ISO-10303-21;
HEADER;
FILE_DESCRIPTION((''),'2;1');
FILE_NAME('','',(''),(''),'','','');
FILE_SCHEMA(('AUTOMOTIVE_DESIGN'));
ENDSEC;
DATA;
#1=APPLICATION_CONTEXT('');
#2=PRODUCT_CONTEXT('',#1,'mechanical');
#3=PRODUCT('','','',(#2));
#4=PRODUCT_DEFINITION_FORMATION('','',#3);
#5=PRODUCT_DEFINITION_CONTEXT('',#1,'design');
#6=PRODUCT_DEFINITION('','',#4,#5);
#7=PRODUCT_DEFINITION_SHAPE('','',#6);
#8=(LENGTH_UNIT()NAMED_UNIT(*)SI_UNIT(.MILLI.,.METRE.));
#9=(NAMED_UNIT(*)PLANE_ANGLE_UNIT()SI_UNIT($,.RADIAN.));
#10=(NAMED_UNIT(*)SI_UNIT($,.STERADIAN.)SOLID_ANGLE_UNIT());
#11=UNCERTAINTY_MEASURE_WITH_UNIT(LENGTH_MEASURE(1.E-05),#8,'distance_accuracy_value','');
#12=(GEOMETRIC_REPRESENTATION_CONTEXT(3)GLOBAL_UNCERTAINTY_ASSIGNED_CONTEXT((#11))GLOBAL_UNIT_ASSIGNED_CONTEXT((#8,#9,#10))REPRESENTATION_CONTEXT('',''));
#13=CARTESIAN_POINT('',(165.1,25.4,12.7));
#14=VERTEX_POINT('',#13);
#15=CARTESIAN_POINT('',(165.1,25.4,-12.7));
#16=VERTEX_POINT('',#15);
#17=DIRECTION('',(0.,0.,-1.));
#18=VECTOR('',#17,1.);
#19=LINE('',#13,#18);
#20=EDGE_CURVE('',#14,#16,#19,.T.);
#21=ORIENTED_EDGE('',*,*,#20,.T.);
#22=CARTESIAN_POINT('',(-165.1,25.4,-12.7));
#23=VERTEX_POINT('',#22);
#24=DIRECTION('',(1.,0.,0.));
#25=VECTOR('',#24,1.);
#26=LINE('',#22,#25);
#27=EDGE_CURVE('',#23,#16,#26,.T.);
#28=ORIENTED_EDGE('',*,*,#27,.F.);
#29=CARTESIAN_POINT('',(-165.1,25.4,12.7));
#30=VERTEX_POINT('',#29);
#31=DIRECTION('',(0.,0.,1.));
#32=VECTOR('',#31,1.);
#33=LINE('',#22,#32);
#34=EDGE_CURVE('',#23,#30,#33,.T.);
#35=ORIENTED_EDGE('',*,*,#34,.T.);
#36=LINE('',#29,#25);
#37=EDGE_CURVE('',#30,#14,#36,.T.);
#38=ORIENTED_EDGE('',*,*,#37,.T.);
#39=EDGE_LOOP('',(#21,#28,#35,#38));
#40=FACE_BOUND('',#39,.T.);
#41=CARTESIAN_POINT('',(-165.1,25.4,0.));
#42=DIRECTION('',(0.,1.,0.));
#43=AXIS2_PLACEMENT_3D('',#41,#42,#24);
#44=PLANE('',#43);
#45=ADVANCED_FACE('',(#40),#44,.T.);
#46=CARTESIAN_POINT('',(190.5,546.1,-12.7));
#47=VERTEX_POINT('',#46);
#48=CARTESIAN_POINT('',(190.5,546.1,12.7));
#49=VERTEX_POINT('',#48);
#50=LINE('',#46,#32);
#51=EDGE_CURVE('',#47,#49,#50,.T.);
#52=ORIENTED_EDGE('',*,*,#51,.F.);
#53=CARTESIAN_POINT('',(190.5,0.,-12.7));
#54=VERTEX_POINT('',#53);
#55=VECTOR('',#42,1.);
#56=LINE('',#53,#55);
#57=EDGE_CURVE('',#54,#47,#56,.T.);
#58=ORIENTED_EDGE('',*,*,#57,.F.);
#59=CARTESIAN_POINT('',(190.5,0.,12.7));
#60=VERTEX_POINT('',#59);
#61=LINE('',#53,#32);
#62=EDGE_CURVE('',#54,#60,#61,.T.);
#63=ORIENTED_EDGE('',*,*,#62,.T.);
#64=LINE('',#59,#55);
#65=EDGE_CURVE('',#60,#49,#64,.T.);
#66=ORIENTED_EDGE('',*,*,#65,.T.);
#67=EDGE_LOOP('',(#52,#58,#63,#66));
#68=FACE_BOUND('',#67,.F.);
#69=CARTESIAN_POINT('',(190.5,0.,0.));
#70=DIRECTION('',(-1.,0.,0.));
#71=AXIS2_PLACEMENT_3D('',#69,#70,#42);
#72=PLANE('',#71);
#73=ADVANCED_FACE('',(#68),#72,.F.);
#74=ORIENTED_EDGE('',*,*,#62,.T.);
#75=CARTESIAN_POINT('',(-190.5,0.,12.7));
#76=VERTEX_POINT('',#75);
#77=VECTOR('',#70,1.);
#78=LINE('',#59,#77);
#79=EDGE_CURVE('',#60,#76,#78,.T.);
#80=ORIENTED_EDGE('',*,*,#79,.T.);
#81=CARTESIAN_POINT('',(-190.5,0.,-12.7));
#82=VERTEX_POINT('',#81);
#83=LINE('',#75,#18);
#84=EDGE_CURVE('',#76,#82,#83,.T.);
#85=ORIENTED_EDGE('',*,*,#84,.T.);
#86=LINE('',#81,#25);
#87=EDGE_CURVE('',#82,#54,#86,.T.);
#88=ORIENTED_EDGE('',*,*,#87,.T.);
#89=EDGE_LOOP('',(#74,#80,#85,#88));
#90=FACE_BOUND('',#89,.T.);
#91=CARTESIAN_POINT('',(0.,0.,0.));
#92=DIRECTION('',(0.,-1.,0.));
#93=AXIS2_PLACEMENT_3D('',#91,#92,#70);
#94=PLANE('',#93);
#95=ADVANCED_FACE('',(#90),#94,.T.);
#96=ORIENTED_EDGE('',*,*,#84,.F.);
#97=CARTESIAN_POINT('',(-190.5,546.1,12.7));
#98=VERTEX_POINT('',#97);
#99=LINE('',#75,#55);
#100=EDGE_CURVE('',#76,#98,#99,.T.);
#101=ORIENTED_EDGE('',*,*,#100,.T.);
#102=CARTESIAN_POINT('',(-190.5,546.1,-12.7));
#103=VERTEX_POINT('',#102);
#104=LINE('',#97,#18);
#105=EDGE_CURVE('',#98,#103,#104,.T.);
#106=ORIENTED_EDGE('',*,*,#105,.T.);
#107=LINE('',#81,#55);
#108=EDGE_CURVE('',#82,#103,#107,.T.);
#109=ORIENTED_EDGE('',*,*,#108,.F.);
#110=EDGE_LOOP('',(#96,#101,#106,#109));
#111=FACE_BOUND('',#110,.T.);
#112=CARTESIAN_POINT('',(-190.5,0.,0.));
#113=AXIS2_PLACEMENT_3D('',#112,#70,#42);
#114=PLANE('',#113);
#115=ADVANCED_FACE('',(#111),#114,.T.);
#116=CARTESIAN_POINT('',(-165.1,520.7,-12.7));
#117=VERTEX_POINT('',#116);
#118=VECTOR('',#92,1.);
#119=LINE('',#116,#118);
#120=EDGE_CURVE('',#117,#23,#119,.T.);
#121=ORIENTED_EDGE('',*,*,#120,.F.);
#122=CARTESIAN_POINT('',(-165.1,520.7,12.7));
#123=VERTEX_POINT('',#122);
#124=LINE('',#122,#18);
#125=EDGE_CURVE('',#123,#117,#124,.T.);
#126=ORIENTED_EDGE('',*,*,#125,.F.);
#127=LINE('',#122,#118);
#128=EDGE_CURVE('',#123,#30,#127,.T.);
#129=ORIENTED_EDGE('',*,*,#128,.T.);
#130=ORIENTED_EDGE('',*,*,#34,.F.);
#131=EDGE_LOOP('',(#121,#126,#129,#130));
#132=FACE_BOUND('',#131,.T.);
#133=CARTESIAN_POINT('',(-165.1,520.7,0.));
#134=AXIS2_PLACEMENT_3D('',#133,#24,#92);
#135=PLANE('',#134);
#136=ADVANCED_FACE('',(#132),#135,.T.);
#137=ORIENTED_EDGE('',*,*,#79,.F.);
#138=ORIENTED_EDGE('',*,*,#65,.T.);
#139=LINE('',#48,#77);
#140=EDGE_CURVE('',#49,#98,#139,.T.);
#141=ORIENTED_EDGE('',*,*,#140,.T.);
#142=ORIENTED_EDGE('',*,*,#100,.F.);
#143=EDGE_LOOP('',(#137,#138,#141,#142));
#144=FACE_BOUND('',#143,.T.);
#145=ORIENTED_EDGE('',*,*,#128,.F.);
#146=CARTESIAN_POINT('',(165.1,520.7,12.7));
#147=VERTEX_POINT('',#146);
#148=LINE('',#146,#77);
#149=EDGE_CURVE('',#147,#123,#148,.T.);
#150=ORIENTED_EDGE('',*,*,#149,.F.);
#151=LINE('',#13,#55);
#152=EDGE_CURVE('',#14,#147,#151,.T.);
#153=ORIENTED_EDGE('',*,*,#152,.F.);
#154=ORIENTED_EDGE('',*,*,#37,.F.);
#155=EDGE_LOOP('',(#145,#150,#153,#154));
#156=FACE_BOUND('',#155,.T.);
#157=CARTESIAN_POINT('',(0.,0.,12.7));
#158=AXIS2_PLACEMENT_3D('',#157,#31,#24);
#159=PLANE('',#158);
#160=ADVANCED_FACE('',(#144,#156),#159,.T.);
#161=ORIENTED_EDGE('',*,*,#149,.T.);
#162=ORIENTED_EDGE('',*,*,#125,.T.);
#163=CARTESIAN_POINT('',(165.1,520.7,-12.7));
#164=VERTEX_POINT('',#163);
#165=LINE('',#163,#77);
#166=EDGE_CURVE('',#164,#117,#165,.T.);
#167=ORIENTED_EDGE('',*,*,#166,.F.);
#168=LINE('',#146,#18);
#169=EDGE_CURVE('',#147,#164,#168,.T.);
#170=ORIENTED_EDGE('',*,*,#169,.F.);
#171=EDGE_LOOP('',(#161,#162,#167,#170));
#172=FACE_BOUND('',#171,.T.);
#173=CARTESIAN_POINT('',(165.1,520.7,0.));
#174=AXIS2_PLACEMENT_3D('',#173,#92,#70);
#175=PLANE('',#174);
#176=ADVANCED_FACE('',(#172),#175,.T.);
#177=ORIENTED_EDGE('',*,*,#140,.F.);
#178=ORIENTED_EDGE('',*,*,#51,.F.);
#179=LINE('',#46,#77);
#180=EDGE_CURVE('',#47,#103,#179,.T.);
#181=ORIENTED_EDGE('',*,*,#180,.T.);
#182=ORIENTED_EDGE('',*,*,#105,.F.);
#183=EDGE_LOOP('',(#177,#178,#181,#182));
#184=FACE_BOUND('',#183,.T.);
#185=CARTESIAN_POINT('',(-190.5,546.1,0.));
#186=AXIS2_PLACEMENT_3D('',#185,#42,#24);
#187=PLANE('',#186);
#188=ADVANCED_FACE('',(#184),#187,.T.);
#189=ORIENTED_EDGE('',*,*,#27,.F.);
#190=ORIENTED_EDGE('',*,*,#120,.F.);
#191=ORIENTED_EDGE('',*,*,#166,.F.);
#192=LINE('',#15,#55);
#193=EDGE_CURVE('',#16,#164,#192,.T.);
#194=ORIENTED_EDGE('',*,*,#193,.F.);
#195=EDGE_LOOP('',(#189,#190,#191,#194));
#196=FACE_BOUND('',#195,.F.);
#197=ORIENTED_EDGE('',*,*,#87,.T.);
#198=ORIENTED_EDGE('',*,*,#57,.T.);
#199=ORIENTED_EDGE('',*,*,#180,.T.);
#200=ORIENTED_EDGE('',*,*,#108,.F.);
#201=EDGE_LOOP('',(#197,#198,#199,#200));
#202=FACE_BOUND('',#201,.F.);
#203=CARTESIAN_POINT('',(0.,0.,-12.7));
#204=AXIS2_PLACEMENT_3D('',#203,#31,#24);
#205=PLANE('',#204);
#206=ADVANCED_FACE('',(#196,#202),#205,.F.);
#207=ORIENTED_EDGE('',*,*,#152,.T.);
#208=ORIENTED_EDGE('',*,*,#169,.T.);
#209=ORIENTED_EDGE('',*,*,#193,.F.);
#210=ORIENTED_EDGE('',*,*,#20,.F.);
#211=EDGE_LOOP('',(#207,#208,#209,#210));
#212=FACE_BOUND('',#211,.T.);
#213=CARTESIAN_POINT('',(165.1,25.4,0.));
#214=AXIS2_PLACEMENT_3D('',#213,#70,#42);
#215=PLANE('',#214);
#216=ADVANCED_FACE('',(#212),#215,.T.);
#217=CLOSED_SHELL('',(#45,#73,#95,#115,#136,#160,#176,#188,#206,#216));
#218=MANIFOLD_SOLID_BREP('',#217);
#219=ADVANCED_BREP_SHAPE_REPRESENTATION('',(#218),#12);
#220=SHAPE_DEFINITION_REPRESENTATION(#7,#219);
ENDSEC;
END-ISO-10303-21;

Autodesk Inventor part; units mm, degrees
ref_plane "YZ Plane" through (0, 0, 0) normal (1, 0, 0) x (0, 1, 0)
ref_plane "XZ Plane" through (0, 0, 0) normal (0, 1, 0) x (-1, 0, 0)
ref_plane "XY Plane" through (0, 0, 0) normal (0, 0, 1) x (1, 0, 0)
sketch "Sketch1" plane through (0, 0, 0) normal (0, 0, 1) x (1, 0, 0)
  line L0 (0, 0) -> (190.5, 0)
  line L1 (190.5, 0) -> (190.5, 546.1)
  line L2 (190.5, 546.1) -> (0, 546.1)
  line L3 (0, 0) -> (0, 546.1) construction
  line L4 (0, 0) -> (-190.5, 0)
  line L5 (-190.5, 0) -> (-190.5, 546.1)
  line L6 (-190.5, 546.1) -> (0, 546.1)
  line L7 (-165.1, 25.4) -> (165.1, 25.4)
  line L8 (165.1, 25.4) -> (165.1, 520.7)
  line L9 (165.1, 520.7) -> (-165.1, 520.7)
  line L10 (-165.1, 520.7) -> (-165.1, 25.4)
  dimension "d1" = 546.1
  dimension "d2" = 381
  dimension "d3" = 25.4
  dimension "d4" = 25.4
  dimension "d5" = 25.4
  dimension "d6" = 25.4
extrude "Extrusion1" add sketch "Sketch1" along normal mid plane 25.4
properties part number "primate2ndStageForShortRobot"
